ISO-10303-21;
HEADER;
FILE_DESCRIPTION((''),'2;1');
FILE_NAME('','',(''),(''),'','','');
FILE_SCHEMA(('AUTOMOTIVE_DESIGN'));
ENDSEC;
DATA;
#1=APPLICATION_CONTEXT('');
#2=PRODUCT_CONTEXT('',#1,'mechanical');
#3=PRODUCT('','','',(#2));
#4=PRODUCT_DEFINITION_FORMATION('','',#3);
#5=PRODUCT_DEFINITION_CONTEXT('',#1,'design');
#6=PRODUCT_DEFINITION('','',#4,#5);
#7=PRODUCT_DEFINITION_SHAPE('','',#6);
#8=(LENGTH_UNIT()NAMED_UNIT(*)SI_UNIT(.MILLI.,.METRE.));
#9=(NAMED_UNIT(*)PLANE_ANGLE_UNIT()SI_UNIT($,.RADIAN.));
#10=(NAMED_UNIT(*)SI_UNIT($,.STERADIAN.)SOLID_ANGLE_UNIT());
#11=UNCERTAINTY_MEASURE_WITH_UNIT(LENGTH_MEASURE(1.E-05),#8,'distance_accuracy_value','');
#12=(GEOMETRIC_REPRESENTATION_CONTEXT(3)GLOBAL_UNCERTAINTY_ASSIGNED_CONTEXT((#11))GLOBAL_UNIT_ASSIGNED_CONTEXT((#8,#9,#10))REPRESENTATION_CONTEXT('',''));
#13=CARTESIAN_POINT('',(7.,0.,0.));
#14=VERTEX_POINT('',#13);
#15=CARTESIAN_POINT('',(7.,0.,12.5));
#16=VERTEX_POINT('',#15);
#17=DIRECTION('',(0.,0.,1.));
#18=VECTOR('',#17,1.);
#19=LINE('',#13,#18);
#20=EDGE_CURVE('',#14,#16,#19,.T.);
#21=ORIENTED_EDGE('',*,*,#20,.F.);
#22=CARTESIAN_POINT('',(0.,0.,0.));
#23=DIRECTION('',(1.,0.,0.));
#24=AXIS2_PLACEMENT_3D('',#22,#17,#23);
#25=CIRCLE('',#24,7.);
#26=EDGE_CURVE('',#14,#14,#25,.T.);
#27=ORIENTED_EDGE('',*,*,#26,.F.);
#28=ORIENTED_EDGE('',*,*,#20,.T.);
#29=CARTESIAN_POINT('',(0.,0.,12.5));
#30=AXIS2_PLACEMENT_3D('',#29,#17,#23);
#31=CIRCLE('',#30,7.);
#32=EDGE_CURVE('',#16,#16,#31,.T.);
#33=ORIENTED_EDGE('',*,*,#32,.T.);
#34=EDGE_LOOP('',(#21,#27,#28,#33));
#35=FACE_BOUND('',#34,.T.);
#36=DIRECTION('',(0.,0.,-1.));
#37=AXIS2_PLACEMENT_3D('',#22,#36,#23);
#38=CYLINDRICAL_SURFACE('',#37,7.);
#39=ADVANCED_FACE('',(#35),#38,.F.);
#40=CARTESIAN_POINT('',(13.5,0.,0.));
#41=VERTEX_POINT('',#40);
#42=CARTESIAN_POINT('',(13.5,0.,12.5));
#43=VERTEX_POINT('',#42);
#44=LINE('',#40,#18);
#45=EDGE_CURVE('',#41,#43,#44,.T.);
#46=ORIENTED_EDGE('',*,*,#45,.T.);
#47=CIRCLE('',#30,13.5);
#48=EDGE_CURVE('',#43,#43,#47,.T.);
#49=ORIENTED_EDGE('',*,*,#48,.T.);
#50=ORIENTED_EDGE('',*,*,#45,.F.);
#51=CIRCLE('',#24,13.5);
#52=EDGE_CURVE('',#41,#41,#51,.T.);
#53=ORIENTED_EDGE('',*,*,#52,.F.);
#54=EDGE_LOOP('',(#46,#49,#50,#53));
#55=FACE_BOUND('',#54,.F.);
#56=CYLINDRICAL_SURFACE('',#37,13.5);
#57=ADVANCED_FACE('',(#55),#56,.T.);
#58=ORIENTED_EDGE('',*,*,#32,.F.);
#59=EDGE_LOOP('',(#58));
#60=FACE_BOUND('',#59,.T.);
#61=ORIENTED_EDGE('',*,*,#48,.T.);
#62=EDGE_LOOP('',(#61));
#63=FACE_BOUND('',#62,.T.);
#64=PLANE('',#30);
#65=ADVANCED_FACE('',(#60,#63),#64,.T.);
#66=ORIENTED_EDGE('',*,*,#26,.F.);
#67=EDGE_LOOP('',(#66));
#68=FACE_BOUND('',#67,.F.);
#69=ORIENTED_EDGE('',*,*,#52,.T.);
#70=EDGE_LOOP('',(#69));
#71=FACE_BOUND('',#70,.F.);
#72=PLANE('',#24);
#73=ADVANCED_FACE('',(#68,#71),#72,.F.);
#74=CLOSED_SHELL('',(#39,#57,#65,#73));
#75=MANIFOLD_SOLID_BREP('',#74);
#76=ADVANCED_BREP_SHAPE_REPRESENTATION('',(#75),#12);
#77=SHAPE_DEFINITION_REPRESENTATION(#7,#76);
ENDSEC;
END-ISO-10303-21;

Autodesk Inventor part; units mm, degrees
ref_plane "YZ Plane" through (0, 0, 0) normal (1, 0, 0) x (0, 1, 0)
ref_plane "XZ Plane" through (0, 0, 0) normal (0, 1, 0) x (-1, 0, 0)
ref_plane "XY Plane" through (0, 0, 0) normal (0, 0, 1) x (1, 0, 0)
sketch "Sketch1" plane through (0, 0, 0) normal (0, 0, 1) x (1, 0, 0)
  circle A0 centre (0, 0) radius 7
  circle A1 centre (0, 0) radius 13.5
  dimension "d0" = 14
  dimension "d1" = 27
extrude "Extrusion1" add sketch "Sketch1" along normal blind 12.5
properties part number "WA002" material "ABS Plastic"
